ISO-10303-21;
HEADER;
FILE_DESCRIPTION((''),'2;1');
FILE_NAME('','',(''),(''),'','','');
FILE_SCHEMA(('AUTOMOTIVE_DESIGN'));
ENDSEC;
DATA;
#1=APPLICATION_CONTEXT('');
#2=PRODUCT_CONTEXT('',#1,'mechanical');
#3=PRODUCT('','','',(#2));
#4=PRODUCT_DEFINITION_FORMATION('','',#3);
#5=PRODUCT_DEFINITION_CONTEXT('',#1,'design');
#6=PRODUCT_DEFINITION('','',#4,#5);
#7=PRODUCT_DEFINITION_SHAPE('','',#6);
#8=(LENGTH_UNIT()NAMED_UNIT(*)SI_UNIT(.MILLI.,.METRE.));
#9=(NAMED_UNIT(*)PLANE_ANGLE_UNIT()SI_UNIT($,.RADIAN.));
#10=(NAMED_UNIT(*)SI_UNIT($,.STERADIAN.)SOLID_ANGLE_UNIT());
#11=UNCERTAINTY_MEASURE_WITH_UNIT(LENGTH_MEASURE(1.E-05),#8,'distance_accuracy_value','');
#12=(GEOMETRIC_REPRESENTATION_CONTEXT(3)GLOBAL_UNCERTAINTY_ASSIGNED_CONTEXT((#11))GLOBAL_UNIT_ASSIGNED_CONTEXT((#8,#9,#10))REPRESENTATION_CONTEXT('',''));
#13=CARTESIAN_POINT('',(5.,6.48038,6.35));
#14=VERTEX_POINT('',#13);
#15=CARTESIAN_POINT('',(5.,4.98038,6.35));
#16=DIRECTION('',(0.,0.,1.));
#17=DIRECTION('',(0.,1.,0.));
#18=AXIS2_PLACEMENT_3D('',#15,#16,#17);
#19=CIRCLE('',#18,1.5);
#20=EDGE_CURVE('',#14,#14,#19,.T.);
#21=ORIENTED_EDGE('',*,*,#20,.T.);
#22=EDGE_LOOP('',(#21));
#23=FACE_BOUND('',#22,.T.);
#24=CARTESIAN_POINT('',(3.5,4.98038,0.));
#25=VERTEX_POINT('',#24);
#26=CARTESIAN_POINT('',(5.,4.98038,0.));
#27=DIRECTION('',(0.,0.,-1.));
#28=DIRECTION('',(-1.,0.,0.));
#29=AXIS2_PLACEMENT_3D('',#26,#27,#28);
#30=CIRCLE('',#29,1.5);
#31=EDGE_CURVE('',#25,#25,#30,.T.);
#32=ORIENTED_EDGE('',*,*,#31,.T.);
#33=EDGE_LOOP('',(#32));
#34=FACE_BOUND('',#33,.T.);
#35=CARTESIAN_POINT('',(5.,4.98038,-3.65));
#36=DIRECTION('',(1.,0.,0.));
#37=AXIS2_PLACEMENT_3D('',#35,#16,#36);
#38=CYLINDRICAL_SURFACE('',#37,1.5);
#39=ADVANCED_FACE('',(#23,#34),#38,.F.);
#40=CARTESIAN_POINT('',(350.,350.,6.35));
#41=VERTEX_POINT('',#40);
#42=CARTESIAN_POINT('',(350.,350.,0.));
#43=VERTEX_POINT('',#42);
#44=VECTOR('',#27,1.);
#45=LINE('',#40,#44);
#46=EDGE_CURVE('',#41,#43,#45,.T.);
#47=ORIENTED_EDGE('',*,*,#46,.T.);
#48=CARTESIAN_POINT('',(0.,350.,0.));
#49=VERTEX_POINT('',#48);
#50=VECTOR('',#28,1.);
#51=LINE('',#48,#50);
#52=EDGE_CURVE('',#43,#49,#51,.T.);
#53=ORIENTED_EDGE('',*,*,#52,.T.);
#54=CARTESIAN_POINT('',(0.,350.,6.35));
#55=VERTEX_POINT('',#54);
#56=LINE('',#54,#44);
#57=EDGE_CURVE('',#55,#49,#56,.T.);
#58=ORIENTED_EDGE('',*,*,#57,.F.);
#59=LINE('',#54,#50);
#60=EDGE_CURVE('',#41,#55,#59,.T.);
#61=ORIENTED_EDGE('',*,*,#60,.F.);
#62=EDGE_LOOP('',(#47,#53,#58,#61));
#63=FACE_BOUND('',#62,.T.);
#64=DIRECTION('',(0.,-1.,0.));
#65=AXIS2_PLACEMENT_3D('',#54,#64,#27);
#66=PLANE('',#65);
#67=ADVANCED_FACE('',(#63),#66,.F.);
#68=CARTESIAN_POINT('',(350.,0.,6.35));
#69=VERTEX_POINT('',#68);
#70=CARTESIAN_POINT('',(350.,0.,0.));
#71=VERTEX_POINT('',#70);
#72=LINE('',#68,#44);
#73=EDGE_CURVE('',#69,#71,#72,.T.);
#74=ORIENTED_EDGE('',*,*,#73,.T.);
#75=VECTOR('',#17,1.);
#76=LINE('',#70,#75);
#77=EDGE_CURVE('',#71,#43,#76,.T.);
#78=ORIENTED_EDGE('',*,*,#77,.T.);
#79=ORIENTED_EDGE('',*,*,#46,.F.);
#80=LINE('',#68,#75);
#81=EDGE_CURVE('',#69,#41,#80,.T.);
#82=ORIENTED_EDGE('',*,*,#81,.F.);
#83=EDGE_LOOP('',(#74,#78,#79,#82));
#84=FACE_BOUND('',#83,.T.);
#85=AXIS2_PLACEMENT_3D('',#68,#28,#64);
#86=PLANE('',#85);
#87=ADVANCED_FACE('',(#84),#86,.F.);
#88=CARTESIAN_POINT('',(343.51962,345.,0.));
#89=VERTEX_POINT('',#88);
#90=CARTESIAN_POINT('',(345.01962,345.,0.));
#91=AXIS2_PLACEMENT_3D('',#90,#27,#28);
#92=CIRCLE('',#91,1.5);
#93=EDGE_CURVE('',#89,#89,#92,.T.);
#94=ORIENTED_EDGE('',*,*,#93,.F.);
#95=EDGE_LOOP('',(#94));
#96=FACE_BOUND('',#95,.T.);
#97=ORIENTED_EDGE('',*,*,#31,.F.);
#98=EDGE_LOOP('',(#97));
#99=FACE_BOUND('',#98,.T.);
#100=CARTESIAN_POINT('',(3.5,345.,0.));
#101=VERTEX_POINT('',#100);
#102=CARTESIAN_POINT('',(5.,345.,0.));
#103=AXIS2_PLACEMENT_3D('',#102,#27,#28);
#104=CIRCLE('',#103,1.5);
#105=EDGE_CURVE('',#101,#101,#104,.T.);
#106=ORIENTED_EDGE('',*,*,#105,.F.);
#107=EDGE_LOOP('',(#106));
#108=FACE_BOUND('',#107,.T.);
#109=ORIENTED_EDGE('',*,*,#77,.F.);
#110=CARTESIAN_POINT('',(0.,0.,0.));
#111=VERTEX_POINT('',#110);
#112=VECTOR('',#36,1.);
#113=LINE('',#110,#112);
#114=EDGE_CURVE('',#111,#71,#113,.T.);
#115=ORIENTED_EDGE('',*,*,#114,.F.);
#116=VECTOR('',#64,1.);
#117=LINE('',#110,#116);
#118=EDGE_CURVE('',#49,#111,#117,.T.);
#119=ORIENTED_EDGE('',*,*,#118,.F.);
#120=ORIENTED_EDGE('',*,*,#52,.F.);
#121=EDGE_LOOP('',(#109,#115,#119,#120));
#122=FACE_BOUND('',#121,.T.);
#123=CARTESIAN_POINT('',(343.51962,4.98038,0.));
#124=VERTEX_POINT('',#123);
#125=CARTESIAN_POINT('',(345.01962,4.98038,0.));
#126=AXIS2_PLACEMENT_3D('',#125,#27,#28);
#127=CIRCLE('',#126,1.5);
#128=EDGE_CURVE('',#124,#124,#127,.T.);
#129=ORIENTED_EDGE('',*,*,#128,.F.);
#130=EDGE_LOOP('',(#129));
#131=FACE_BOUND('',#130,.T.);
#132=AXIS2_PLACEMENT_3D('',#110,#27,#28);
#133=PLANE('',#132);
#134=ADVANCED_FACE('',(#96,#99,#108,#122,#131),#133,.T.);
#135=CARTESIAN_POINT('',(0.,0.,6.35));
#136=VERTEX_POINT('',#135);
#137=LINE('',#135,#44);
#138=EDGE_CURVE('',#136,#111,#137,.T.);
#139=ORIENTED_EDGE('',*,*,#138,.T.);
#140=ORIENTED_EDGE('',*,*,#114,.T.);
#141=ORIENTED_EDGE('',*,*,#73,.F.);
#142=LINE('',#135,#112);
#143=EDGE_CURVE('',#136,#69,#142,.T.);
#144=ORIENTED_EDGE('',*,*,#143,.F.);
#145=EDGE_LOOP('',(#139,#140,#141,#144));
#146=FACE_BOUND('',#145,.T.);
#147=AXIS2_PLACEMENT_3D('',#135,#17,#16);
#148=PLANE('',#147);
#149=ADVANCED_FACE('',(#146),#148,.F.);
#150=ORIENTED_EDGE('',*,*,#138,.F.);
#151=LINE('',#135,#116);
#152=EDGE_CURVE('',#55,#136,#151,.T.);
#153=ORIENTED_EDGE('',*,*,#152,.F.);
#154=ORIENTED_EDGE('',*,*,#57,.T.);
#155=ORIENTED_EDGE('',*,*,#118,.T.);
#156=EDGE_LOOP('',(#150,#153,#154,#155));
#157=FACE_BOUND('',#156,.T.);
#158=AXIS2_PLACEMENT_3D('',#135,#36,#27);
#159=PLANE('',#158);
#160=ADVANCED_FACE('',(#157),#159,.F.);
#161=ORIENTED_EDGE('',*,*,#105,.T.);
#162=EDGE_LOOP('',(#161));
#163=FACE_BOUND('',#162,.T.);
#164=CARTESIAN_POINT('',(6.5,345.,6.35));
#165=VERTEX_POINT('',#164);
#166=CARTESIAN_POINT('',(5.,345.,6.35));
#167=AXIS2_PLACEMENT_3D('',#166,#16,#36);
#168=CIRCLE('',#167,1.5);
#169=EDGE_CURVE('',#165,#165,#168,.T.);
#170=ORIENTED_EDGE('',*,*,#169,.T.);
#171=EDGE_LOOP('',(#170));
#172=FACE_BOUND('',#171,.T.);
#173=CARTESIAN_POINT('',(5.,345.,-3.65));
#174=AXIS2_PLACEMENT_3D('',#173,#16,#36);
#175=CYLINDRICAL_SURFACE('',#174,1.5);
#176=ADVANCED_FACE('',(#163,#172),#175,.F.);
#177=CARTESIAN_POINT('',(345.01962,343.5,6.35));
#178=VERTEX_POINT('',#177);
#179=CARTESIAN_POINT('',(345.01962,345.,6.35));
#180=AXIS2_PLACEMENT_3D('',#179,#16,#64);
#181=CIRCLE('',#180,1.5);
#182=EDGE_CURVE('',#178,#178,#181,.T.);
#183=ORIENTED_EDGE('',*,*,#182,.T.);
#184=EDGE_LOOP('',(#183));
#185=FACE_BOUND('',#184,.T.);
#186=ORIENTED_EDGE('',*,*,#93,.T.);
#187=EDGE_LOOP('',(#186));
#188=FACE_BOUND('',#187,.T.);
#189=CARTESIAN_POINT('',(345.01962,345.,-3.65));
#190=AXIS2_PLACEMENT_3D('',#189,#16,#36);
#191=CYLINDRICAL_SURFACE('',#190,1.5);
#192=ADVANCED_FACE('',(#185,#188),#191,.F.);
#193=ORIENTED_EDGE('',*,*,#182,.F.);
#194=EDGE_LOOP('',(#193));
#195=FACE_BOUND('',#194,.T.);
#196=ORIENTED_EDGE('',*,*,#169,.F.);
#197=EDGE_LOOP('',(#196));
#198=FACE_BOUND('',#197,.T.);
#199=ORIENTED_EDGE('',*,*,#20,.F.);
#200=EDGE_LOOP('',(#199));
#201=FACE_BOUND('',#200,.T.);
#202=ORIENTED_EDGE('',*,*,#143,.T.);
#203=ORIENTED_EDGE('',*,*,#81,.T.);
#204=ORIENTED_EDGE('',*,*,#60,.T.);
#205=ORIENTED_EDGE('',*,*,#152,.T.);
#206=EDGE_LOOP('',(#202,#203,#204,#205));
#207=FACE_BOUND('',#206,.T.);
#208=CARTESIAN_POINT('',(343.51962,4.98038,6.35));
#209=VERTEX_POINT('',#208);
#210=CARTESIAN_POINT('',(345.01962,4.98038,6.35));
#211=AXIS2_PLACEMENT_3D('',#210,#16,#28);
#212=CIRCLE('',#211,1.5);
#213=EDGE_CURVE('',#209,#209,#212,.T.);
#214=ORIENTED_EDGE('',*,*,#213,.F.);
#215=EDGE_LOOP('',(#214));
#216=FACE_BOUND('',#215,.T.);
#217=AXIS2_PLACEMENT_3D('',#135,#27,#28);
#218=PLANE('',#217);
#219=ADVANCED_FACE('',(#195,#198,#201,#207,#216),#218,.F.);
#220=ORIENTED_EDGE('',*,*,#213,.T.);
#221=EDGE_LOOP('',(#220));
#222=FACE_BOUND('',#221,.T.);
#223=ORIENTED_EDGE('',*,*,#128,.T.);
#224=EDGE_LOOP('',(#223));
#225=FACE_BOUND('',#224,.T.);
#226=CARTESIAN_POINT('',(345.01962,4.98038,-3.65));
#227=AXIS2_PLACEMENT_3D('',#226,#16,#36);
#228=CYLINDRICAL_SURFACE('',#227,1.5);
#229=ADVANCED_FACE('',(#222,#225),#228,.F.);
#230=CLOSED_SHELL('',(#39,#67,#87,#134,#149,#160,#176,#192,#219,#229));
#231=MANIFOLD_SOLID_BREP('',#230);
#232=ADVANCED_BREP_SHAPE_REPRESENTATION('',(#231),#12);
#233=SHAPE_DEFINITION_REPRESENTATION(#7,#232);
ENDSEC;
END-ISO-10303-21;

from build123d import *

# Parameters (mm, degrees)
SKETCH1_W           = 350
SKETCH1_H           = 350
BOSS_EXTRUDE1_DEPTH = 6.35
SKETCH2_R           = 1.5
CUT_EXTRUDE1_DEPTH  = 10
CIRPATTERN1_COUNT   = 4


with BuildPart() as part:
    # Sketch1 → Boss-Extrude1 (new body)
    with BuildSketch(Plane.XY):
        with Locations((175, 175)):
            Rectangle(SKETCH1_W, SKETCH1_H)
    extrude(amount=BOSS_EXTRUDE1_DEPTH)

    # Sketch2 → Cut-Extrude1 (cut)
    with BuildSketch(Plane.XY.offset(6.35)):
        with Locations((5, 345)):
            Circle(SKETCH2_R)
    cut_extrude1 = extrude(amount=-CUT_EXTRUDE1_DEPTH, mode=Mode.SUBTRACT)

    # CirPattern1: Cut-Extrude1 ×4 about axis
    cirpattern1_axis = Axis((175.009810029, 174.990189971, 0), (0, 0, 1))
    for i in range(1, CIRPATTERN1_COUNT):
        add(cut_extrude1.rotate(cirpattern1_axis, i * 360 / CIRPATTERN1_COUNT), mode=Mode.SUBTRACT)


solid = part.part
